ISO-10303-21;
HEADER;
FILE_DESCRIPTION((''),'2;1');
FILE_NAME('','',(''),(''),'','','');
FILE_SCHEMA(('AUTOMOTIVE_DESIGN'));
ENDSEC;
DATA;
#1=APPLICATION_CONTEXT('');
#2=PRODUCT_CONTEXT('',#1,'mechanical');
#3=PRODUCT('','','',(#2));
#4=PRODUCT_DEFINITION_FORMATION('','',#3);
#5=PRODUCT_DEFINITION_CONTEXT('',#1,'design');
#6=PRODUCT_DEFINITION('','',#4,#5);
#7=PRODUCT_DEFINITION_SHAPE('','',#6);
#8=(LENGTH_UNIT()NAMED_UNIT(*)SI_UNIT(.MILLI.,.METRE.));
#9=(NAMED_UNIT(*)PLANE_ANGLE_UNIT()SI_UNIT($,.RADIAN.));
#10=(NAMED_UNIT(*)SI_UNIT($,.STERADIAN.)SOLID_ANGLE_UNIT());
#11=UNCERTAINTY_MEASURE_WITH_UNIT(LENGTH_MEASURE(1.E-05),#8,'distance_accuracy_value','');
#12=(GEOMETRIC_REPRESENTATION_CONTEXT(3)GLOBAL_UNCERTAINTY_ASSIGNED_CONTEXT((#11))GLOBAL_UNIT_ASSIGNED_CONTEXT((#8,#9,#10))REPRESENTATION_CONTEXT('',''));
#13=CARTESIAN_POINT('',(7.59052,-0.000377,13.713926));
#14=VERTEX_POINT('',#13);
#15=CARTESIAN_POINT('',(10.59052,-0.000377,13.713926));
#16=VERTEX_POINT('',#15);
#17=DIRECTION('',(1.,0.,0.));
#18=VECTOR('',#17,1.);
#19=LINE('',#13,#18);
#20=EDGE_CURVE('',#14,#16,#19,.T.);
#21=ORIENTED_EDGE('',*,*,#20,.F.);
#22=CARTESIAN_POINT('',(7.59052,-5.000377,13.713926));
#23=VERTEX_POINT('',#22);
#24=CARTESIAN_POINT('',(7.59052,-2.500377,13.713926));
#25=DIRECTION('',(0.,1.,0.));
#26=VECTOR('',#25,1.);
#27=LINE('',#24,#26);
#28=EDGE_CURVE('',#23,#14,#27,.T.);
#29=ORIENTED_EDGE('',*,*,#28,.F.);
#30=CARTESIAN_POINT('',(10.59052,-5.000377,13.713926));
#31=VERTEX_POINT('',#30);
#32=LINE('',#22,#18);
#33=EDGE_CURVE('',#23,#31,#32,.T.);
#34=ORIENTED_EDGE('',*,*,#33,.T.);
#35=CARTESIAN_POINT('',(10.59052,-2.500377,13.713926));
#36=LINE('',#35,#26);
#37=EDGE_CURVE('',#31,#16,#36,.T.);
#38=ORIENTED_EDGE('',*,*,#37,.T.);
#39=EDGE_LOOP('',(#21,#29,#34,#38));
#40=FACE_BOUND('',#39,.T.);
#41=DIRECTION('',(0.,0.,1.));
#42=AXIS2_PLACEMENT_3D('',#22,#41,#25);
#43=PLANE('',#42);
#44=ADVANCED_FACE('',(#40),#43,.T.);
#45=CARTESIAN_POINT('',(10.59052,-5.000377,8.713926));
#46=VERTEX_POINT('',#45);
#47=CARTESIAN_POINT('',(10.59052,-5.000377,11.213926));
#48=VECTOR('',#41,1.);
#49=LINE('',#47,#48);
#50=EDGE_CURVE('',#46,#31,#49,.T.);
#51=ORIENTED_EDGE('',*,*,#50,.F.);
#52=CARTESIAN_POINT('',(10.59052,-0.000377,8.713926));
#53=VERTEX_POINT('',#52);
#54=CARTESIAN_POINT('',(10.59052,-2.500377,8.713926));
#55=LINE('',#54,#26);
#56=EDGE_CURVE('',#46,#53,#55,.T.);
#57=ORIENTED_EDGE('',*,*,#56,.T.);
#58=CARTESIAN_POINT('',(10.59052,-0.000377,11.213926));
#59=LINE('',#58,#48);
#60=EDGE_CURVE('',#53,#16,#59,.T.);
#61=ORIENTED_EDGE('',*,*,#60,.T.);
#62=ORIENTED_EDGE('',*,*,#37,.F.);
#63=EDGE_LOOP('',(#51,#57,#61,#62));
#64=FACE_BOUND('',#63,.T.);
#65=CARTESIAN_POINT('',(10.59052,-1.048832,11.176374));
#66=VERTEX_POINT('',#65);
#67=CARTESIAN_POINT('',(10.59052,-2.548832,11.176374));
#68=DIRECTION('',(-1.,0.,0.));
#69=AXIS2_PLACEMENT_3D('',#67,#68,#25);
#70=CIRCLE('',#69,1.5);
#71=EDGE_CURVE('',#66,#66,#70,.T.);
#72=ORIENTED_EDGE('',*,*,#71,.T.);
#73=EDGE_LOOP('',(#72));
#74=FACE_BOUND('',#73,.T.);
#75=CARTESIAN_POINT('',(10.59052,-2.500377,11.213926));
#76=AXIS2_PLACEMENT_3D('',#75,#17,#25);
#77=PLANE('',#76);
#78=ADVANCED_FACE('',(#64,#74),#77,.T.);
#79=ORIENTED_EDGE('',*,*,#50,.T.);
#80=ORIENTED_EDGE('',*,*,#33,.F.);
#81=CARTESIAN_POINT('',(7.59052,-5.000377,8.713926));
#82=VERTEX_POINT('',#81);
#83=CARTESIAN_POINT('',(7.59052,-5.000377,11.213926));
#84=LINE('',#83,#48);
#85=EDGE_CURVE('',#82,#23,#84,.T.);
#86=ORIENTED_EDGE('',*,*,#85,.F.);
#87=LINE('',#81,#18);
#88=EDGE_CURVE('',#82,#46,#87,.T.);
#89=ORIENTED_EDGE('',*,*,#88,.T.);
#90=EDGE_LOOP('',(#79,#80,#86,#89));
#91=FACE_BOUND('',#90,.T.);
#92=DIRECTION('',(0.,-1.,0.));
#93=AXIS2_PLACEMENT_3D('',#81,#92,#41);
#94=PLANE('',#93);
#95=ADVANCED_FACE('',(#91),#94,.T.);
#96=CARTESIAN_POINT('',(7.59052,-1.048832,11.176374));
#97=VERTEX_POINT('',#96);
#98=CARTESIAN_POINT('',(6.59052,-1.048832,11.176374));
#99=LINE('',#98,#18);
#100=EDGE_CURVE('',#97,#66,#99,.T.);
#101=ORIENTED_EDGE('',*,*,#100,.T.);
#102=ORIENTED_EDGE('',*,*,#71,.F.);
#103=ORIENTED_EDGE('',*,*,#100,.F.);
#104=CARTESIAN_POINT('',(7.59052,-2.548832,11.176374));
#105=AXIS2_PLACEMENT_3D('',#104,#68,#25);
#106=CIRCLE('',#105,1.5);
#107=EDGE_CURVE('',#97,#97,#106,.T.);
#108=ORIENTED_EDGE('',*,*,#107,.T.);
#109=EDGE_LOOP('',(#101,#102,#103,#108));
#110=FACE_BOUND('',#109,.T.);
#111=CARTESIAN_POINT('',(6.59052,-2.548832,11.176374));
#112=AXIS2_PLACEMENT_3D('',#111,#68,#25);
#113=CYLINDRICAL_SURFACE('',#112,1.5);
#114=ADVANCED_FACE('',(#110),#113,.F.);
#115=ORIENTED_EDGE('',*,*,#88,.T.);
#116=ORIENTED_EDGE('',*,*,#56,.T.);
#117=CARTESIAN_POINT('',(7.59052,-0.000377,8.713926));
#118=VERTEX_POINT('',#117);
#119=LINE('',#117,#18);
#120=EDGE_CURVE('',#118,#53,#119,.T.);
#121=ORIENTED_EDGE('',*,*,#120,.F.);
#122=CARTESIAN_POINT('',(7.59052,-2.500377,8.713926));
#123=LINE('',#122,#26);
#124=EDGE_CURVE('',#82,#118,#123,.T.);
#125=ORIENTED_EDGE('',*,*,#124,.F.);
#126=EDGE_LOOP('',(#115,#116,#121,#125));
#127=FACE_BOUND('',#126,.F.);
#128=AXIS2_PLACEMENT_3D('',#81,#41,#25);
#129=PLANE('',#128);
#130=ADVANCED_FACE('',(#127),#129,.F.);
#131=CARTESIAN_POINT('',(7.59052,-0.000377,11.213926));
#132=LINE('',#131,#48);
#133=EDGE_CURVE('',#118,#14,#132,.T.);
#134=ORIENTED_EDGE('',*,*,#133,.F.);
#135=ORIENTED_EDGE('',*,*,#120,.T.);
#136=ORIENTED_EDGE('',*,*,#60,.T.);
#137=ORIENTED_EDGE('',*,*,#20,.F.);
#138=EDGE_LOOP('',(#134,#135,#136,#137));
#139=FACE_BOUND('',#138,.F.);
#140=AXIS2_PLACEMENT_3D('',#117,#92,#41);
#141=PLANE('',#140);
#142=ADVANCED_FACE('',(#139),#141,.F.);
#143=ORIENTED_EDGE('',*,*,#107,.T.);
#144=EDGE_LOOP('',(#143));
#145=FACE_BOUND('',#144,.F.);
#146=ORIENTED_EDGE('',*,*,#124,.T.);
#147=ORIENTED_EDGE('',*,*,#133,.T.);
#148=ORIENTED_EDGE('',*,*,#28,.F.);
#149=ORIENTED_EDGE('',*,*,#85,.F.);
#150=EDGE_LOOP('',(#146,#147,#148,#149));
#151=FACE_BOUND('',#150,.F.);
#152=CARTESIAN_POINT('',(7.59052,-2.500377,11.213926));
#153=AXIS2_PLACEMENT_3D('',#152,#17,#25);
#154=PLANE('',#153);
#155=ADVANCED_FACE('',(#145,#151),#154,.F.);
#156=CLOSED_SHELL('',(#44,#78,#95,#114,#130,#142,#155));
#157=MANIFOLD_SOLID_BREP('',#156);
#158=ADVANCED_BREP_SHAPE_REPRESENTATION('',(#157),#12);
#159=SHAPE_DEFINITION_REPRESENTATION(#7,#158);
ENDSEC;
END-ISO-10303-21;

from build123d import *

# Parameters (mm, degrees)
CIRCLE004_R      = 1.5
EXTRUDE014_DEPTH = 5
RECTANGLE007_W   = 5
RECTANGLE007_H   = 5
EXTRUDE013_DEPTH = 3


with BuildPart() as extrude014:
    # Circle004 → Extrude014 (new body)
    with BuildSketch(Plane(origin=(3, -16.618832, 42.892174), x_dir=(0, 1, 0), z_dir=(1, 0, 0))):
        Circle(CIRCLE004_R)
    extrude(amount=EXTRUDE014_DEPTH)


with BuildPart() as extrude014_1:
    # Extrude014 placement: moved
    add(extrude014.part.moved(Location((-4, 0, 0))))


with BuildPart() as prendedor:
    # Rectangle007 → Extrude013 (new body)
    with BuildSketch(Plane(origin=(0, -19.070377, 40.429726), x_dir=(0, 1, 0), z_dir=(1, 0, 0))):
        with Locations((2.5, 2.5)):
            Rectangle(RECTANGLE007_W, RECTANGLE007_H)
    extrude(amount=EXTRUDE013_DEPTH)

    # Cut001: cut Extrude014
    add(extrude014_1.part, mode=Mode.SUBTRACT)


with BuildPart() as prendedor_1:
    # Cut001 placement: moved
    add(prendedor.part.moved(Location((7.59052, 14.07, -31.7158))))


solid = prendedor_1.part
